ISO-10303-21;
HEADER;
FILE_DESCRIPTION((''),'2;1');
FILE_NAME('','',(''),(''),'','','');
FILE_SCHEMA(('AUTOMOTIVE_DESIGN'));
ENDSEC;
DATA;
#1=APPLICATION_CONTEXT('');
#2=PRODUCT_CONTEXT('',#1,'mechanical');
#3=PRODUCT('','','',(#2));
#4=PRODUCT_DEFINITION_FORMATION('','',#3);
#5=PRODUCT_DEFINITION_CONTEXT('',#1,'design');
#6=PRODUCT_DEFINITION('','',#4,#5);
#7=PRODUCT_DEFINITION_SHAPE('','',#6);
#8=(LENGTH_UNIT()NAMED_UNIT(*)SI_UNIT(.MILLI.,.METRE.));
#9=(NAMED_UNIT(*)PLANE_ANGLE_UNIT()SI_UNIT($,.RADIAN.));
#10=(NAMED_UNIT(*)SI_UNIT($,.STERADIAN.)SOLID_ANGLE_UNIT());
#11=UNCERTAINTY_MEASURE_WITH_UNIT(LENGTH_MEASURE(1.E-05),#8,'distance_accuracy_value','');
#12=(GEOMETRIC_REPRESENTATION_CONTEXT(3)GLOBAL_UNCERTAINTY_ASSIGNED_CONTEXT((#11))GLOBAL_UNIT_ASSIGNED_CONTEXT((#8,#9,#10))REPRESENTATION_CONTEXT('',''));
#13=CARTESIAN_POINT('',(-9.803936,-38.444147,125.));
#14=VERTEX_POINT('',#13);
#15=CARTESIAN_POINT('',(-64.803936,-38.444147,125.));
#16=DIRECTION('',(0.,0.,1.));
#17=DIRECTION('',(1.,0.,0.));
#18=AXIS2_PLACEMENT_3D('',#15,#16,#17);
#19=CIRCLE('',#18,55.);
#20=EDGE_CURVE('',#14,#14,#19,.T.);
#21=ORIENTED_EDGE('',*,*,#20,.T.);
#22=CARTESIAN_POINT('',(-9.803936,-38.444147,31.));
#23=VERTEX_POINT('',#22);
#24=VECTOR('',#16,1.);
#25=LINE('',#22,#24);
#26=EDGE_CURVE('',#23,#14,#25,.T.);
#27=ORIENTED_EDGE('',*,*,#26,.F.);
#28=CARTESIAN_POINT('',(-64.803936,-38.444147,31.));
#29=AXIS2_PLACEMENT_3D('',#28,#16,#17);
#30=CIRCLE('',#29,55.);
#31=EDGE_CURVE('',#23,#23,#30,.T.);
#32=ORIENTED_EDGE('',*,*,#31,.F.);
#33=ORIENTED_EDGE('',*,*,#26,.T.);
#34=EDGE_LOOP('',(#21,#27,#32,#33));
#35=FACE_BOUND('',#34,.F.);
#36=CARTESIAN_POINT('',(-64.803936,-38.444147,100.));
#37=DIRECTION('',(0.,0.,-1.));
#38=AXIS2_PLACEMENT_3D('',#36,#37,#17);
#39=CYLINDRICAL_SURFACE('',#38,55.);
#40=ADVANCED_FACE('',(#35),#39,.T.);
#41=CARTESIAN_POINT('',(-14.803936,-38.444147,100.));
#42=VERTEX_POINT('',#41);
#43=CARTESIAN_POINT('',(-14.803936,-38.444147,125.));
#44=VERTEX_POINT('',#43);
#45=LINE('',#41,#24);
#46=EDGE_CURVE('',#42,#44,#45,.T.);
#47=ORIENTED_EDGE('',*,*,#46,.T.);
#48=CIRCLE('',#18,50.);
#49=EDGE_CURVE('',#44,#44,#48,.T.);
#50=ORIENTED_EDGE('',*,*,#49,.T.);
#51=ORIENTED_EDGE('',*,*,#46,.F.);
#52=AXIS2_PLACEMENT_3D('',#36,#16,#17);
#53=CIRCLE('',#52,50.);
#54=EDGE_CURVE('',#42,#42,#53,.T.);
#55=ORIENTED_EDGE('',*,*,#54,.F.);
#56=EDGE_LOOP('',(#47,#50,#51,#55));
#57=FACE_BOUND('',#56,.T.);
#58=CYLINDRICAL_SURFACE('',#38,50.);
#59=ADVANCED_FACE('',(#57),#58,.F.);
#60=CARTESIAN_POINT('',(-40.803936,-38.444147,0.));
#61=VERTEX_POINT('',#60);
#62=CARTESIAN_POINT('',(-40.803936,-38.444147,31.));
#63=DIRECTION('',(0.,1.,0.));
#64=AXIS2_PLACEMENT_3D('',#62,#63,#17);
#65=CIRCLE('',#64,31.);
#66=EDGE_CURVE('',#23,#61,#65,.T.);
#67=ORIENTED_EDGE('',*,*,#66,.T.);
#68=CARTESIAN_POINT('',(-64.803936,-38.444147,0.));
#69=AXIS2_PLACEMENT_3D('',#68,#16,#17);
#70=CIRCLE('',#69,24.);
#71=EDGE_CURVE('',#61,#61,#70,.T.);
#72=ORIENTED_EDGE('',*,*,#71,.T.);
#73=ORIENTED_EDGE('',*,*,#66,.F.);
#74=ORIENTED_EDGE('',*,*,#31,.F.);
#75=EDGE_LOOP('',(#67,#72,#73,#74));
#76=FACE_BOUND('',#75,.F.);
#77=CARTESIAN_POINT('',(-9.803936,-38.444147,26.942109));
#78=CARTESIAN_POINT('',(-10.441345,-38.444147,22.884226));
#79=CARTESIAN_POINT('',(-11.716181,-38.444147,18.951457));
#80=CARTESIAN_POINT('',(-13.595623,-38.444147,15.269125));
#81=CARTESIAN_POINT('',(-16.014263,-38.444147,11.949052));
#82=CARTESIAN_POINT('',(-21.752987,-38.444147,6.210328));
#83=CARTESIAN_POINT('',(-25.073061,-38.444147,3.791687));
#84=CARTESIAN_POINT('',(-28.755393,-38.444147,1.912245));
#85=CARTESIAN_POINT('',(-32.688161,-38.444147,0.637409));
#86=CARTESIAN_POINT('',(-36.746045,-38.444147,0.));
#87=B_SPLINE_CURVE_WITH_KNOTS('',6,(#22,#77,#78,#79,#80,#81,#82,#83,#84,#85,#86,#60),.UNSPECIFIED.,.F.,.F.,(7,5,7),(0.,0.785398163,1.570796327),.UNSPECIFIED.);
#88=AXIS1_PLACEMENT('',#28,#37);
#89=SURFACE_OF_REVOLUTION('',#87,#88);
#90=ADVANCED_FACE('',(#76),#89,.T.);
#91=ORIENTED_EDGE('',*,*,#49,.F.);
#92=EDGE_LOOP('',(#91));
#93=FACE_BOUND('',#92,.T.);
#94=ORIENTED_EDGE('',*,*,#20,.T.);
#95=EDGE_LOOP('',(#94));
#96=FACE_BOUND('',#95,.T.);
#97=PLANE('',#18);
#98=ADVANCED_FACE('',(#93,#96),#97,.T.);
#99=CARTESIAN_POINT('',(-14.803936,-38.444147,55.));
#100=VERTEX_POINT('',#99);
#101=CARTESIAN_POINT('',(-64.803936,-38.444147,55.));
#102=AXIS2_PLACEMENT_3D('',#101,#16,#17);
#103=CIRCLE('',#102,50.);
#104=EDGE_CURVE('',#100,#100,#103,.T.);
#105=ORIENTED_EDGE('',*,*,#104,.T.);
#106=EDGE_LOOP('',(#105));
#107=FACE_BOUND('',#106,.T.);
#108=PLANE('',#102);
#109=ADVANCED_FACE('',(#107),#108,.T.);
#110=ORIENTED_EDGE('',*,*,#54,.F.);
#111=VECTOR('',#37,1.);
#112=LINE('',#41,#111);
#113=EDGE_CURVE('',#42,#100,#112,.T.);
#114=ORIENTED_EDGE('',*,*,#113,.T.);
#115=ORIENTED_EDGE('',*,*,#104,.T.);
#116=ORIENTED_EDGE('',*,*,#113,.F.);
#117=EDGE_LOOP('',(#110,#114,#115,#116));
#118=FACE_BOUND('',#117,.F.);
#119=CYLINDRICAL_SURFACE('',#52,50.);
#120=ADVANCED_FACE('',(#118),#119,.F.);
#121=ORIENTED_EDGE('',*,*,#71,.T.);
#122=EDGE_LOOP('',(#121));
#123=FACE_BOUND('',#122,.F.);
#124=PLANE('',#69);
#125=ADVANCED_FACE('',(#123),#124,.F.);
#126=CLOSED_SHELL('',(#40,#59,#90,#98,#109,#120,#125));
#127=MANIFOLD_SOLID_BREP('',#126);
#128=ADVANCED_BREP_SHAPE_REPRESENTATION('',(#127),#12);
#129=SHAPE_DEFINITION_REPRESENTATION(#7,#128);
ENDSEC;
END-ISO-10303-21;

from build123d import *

# Parameters (mm, degrees)
F0_R     = 55
F1_DEPTH = 100
F2_R     = 31
F3_R     = 50
F4_DEPTH = 70
F5_DEPTH = 25


with BuildPart() as f1:
    # F0 (on Top) → F1 (new body)
    with BuildSketch(Plane.XY):
        with Locations((-64.8039355874, -38.4441465139)):
            Circle(F0_R)
    extrude(amount=F1_DEPTH)

    # F2
    f2_edges = [f1.edges().sort_by_distance(p)[0] for p in [
        (-119.803936, -38.444147, 0),
    ]]
    fillet(f2_edges, radius=F2_R)

    # F3 (on face) → F4 (cut)
    with BuildSketch(Plane.XY.offset(100)):
        with Locations((-64.8039355874, -38.4441465139)):
            Circle(F3_R)
    extrude(amount=-F4_DEPTH, mode=Mode.SUBTRACT)

    # F5 (add): faces of the model
    f5_faces = [f1.faces().sort_by_distance(p)[0] for p in [
        (-118.2483006688, -38.4441465139, 100),
        (-64.8039355874, -38.4441465139, 30),
    ]]
    extrude(f5_faces, amount=F5_DEPTH)


solid = f1.part
